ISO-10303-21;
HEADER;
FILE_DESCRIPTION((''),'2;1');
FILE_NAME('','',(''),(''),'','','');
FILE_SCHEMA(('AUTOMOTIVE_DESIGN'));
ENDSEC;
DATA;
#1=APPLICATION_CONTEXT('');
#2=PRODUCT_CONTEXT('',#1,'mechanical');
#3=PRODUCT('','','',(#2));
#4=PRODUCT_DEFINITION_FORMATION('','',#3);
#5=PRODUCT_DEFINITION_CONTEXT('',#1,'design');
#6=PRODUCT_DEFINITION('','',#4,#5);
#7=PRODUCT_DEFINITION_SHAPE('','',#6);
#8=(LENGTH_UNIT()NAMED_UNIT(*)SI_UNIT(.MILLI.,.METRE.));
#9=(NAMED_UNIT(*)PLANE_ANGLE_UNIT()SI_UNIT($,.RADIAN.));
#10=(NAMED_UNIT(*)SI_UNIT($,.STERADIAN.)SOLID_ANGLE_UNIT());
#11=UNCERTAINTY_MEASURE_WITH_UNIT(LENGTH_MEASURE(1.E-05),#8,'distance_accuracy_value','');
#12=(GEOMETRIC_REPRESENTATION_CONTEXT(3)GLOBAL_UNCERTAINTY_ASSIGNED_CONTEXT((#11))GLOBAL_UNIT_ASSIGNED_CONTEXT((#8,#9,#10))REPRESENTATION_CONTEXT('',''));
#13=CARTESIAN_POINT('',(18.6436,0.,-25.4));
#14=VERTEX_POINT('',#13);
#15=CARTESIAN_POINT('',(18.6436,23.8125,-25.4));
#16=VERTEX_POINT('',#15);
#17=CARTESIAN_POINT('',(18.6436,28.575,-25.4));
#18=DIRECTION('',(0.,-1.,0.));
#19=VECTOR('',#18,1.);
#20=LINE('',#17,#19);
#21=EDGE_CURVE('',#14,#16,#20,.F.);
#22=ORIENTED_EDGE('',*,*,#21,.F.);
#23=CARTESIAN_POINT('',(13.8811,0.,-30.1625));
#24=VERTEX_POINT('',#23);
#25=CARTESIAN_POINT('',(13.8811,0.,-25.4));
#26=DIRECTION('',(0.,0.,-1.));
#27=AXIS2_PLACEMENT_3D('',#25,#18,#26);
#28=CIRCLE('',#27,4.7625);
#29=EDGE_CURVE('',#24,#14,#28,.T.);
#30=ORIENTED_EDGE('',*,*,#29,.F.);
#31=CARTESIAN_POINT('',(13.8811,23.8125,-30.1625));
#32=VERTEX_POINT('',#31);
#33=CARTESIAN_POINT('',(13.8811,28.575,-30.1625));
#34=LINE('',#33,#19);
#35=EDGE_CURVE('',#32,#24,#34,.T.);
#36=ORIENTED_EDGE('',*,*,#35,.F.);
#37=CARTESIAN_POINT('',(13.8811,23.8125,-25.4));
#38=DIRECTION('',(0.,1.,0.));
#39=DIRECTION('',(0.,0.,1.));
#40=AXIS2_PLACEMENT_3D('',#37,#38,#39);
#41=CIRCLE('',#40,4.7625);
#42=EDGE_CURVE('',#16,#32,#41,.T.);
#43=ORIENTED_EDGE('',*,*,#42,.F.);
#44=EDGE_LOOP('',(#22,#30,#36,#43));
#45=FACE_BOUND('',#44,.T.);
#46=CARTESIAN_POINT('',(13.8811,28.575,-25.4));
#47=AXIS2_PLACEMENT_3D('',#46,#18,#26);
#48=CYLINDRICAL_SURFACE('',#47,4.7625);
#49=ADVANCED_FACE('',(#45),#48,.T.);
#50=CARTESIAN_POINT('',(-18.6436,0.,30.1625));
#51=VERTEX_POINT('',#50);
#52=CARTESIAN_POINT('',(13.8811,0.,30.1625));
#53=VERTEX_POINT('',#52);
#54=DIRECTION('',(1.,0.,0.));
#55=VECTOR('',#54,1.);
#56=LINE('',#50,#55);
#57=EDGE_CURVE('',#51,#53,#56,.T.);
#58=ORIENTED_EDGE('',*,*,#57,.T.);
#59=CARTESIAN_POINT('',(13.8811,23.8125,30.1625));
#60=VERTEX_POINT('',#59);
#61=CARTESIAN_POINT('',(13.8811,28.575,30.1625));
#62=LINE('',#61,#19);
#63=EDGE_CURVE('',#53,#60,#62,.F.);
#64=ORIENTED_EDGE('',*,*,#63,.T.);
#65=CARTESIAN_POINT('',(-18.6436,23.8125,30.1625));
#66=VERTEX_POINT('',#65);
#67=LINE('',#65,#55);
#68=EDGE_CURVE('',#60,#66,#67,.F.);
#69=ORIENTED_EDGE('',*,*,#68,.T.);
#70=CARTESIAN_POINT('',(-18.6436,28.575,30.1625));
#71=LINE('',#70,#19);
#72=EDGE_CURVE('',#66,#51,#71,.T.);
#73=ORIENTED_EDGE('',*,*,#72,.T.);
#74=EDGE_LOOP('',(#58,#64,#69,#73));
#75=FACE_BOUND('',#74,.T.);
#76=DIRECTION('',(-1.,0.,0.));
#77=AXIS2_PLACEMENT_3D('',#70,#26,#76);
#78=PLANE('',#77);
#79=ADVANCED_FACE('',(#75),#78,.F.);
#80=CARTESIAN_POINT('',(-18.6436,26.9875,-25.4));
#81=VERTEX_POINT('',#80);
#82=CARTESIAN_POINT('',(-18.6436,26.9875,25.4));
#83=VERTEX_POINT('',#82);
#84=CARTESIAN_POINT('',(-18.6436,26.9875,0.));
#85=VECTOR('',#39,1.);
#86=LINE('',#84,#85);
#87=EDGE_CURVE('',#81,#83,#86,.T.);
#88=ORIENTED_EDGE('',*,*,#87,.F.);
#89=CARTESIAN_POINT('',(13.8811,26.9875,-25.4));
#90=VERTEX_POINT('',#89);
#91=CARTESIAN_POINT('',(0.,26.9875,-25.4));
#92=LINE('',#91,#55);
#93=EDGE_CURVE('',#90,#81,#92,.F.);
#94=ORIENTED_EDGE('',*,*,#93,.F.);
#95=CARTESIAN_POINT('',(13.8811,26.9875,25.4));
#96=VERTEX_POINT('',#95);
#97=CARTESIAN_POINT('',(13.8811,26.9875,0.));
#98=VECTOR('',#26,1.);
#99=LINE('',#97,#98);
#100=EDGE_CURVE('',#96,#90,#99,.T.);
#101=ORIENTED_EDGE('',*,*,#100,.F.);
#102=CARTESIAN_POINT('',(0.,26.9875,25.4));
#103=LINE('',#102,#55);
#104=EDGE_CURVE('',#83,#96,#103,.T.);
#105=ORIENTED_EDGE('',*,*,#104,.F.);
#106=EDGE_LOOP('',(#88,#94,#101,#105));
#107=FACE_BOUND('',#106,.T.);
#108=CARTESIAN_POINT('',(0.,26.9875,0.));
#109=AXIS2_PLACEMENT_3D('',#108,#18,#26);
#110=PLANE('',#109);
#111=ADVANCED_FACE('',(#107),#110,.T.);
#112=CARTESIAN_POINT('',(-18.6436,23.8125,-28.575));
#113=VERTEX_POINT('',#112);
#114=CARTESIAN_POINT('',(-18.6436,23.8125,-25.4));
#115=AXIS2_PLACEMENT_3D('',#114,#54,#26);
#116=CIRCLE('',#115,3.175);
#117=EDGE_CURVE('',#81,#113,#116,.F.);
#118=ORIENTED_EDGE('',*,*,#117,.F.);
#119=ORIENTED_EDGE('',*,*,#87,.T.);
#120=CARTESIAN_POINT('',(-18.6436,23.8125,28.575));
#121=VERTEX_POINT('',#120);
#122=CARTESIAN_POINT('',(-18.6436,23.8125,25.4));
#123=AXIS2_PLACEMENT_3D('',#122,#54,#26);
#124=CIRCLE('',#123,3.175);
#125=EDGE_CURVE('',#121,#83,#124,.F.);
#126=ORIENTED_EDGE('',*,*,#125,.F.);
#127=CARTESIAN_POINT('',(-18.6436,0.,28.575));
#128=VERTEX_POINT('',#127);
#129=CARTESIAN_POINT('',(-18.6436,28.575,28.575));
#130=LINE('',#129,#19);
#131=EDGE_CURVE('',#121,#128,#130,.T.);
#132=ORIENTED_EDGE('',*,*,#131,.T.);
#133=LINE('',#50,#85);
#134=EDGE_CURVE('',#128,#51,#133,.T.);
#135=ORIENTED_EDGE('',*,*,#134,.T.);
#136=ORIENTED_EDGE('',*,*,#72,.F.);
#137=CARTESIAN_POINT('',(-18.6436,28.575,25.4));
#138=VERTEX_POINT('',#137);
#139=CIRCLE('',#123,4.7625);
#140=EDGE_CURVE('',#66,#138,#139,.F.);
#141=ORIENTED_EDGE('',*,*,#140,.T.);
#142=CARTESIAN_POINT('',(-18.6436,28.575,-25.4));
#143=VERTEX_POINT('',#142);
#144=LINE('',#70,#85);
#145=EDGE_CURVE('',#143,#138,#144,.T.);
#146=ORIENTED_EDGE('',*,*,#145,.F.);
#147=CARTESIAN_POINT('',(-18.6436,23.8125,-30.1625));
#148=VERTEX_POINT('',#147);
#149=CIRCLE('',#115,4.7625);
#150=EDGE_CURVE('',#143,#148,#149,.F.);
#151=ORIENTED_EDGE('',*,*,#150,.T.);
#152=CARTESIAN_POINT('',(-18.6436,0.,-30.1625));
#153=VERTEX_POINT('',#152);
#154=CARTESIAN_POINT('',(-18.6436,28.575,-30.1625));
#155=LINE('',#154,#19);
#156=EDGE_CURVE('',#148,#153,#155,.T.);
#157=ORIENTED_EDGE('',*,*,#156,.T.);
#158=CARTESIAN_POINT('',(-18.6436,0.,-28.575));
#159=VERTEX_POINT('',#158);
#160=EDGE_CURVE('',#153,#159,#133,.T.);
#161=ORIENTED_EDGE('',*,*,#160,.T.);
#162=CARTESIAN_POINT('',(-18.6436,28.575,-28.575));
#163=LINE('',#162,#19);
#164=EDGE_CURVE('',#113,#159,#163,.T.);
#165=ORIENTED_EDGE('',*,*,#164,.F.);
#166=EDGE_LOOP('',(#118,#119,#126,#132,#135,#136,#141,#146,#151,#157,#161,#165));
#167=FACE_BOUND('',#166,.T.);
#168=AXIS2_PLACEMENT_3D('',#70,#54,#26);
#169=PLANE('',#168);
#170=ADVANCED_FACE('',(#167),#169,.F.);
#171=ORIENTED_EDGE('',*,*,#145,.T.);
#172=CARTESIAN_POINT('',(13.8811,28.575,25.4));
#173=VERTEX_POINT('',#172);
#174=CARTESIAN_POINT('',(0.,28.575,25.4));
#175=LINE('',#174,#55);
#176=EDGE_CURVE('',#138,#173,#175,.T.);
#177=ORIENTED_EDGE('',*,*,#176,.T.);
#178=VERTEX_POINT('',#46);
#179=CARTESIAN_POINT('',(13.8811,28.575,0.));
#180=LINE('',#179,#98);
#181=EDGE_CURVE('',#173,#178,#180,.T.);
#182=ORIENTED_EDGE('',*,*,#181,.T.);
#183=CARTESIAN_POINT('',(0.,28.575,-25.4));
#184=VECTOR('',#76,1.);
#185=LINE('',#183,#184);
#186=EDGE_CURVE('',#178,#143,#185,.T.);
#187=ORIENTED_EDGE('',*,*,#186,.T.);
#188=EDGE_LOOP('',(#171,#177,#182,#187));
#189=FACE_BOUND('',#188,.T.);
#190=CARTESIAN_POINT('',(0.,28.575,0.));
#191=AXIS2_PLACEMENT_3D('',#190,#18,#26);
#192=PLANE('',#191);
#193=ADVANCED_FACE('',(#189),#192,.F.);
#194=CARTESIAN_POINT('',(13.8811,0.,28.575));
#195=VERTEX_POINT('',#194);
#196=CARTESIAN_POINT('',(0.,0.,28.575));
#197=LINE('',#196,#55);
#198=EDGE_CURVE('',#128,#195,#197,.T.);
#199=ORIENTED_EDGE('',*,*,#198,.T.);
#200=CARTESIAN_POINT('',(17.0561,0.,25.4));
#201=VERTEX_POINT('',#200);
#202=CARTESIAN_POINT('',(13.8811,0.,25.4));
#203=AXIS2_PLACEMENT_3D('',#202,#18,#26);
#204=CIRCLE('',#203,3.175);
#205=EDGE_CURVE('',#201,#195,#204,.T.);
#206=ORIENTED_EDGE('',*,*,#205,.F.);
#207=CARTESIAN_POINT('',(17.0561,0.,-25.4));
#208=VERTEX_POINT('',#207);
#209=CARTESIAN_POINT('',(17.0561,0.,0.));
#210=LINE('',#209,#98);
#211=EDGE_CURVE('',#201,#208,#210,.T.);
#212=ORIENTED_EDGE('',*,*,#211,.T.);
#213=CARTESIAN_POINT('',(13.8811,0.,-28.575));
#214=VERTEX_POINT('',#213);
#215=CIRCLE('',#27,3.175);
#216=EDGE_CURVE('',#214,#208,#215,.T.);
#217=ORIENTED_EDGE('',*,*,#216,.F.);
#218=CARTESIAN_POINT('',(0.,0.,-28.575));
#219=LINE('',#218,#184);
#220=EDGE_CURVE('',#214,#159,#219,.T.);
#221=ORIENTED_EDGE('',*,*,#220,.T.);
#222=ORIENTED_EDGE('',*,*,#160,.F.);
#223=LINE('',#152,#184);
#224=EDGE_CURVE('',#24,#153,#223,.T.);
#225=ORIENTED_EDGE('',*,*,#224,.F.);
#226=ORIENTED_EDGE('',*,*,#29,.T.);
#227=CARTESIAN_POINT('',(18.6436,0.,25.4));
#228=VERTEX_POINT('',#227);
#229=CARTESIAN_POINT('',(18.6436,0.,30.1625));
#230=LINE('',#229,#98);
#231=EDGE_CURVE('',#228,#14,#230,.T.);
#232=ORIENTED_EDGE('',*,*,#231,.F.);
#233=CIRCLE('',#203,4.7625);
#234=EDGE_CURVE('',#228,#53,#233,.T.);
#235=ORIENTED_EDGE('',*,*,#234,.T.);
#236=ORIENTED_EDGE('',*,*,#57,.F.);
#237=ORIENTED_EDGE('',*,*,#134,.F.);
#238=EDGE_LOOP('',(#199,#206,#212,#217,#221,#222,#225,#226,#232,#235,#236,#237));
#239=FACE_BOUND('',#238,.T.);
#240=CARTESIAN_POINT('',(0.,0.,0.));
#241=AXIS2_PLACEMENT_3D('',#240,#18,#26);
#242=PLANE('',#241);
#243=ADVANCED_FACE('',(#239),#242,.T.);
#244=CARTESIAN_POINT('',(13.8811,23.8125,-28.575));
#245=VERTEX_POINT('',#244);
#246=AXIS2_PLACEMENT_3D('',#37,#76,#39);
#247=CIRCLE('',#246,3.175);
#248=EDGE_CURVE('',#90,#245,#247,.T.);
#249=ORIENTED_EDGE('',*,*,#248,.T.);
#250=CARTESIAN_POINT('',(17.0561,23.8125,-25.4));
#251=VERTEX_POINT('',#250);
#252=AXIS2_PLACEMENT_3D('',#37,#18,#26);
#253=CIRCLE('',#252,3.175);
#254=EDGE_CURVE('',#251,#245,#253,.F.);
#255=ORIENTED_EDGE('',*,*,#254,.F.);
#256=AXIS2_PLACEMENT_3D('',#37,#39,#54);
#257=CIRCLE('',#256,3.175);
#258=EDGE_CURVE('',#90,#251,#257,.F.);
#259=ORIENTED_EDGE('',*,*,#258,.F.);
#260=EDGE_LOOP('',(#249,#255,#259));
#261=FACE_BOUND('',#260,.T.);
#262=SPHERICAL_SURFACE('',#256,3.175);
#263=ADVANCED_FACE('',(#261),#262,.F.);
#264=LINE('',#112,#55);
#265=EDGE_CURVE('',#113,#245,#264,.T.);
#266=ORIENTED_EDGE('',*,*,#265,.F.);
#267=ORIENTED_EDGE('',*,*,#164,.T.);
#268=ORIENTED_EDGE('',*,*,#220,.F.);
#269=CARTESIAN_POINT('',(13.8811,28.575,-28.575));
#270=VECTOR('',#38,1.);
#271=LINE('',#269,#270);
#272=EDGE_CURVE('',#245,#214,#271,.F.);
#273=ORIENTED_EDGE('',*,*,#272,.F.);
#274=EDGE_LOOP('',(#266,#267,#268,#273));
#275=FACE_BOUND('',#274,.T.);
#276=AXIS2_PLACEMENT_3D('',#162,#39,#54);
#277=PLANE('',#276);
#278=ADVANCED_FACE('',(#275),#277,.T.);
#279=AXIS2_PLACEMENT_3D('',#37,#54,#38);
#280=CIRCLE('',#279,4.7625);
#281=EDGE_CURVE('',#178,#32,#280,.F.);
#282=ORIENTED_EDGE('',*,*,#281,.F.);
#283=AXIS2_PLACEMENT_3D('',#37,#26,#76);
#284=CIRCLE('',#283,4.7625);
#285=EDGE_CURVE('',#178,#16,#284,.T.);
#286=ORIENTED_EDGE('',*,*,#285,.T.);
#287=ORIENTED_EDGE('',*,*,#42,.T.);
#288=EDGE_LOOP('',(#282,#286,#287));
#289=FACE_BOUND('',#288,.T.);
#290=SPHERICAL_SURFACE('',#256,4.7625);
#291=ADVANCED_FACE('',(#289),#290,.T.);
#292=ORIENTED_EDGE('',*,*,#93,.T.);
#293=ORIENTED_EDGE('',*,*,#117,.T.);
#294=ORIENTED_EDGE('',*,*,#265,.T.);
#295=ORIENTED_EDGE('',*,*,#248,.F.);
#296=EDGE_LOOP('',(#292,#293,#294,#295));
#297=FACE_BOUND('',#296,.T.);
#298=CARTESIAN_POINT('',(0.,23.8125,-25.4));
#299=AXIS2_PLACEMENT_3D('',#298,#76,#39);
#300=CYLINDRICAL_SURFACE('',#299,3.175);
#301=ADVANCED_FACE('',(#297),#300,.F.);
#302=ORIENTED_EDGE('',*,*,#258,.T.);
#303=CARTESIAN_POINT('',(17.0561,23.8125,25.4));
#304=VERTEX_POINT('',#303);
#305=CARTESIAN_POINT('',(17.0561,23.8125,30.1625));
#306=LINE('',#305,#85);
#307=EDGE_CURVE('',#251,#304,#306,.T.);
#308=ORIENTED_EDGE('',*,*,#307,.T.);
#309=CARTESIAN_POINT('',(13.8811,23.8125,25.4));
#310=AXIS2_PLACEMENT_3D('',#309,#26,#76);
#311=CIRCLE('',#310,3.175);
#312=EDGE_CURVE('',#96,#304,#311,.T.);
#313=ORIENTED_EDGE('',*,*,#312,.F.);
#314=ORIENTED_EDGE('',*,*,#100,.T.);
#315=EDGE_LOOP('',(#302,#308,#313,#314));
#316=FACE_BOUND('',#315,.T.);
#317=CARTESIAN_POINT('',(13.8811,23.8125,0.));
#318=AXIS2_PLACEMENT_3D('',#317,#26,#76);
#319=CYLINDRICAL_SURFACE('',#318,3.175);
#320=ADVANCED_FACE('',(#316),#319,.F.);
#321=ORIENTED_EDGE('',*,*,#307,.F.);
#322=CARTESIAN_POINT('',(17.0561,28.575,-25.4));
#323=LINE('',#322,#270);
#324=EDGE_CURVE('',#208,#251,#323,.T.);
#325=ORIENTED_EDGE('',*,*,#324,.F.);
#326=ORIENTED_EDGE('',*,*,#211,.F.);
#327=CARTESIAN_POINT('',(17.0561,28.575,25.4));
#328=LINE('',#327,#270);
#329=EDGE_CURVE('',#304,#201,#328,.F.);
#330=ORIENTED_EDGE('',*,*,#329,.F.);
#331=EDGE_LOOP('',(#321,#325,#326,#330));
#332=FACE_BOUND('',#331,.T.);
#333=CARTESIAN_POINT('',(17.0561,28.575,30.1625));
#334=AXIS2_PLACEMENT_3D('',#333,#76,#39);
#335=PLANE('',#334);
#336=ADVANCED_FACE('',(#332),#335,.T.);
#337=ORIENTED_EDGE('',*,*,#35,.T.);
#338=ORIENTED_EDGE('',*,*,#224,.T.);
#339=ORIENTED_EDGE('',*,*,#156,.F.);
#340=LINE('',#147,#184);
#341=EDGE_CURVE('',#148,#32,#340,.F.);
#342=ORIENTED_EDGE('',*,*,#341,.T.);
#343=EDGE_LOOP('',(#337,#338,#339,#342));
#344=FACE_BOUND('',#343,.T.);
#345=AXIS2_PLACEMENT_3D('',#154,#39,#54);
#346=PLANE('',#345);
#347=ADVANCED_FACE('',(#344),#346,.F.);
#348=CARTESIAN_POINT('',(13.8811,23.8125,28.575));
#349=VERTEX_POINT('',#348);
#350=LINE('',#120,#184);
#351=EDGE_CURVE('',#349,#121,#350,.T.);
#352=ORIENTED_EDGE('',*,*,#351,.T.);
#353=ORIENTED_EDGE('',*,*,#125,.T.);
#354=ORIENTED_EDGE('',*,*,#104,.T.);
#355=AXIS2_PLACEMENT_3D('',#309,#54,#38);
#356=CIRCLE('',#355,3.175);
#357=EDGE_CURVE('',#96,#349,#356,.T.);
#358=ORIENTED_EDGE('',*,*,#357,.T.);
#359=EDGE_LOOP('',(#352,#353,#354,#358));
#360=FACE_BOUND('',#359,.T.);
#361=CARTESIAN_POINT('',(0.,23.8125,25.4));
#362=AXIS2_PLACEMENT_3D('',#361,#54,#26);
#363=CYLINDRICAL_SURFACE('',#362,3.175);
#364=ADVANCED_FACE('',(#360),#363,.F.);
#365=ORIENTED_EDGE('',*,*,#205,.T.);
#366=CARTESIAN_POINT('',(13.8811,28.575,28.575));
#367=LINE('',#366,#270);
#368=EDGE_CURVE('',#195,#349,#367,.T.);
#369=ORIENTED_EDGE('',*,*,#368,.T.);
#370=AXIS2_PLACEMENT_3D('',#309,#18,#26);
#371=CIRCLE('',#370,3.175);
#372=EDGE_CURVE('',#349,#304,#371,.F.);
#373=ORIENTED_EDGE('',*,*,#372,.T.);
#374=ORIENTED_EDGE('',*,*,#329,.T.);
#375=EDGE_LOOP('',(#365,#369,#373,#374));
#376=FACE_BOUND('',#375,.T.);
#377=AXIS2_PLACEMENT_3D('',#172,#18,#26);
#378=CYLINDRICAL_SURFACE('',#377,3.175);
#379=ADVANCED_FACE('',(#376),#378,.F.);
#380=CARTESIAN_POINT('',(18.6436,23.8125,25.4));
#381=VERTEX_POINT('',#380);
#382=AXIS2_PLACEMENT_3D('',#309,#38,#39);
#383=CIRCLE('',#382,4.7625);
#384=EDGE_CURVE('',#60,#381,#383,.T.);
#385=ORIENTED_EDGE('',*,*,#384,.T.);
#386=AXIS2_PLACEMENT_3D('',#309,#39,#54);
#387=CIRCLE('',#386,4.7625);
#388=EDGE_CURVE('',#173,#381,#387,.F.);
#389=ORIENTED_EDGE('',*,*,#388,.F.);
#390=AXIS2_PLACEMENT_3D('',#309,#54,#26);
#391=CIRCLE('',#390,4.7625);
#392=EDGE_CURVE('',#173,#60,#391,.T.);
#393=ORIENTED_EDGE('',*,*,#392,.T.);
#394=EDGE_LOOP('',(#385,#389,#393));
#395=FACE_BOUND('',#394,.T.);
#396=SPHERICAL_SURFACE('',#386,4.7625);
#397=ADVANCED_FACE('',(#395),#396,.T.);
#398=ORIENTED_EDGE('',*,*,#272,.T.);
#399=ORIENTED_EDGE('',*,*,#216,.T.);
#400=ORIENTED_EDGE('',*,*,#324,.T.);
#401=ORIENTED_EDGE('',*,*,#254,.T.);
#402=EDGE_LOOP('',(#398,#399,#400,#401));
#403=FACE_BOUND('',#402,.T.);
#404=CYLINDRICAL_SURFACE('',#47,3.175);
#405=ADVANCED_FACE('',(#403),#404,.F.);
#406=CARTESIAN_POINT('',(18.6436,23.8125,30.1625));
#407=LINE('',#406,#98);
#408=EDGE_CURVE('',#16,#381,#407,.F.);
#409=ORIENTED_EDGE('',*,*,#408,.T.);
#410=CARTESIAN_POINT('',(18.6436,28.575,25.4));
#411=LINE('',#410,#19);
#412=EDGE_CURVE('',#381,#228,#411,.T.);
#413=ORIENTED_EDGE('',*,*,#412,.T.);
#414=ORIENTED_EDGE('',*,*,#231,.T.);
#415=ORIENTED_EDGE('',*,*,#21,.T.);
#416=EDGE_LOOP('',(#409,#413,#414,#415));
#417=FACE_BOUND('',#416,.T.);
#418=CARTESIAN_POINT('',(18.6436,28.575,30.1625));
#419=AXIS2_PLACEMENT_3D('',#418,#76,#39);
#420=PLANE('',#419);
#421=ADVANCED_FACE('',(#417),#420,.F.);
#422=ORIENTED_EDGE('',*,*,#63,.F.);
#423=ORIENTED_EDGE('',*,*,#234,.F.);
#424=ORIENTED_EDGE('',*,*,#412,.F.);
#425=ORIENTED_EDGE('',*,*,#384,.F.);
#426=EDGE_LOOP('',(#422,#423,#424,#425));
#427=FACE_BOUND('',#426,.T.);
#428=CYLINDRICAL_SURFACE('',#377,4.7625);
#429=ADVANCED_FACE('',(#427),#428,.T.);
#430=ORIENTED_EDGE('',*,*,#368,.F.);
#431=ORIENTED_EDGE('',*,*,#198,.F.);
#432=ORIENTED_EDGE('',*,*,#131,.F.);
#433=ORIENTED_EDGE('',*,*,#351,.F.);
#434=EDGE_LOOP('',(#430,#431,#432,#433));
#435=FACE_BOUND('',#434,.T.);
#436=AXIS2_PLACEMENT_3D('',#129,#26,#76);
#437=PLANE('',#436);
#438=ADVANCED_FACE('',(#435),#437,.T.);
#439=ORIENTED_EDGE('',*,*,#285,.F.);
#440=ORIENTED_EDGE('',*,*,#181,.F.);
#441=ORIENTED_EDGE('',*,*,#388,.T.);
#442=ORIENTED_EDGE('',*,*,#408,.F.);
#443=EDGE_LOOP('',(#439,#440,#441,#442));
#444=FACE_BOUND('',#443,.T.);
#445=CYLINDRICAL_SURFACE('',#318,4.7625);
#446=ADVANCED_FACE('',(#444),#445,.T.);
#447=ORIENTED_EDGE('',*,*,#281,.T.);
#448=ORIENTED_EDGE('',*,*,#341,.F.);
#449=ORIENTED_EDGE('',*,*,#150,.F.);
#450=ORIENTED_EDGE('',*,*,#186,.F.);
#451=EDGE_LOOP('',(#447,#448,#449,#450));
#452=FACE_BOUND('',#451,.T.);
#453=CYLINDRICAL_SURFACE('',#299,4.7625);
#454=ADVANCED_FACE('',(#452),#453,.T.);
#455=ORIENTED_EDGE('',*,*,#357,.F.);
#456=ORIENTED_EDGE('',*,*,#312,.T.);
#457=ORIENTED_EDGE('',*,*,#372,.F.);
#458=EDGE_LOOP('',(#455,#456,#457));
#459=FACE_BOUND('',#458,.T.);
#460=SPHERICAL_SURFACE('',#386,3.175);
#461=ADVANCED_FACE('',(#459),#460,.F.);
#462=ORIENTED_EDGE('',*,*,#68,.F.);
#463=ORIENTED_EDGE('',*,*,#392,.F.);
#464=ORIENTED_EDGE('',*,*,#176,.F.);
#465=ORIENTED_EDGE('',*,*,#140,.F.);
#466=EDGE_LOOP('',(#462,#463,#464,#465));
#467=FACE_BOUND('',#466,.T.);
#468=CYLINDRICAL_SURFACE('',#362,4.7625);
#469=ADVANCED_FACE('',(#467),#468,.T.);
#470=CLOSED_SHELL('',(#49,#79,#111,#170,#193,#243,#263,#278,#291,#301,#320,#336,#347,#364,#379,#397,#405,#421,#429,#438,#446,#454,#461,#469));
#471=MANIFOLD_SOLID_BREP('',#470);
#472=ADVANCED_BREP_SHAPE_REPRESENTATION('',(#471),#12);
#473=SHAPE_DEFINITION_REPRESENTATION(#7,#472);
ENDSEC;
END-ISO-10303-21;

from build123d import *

# Parameters (mm, degrees)
SKETCH1_W           = 37.2872
SKETCH1_H           = 60.325
BOSS_EXTRUDE1_DEPTH = 28.575
FILLET1_R           = 4.7625
SHELL1_T            = -1.5875


with BuildPart() as part:
    # Sketch1 → Boss-Extrude1 (new body)
    with BuildSketch(Plane(origin=(0, 0, 0), x_dir=(1, 0, 0), z_dir=(0, 1, 0))):
        Rectangle(SKETCH1_W, SKETCH1_H)
    extrude(amount=BOSS_EXTRUDE1_DEPTH)

    # Fillet1
    fillet1_edges = [part.edges().sort_by_distance(p)[0] for p in [
        (0, 28.575, 30.1625),
        (18.6436, 28.575, 0),
        (0, 28.575, -30.1625),
        (18.6436, 14.2875, 30.1625),
        (18.6436, 14.2875, -30.1625),
    ]]
    fillet(fillet1_edges, radius=FILLET1_R)

    # Shell1
    shell1_openings = [part.faces().sort_by_distance(p)[0] for p in [
        (-0.076414213, 0, 0),
        (-18.6436, 14.212396054, 0),
    ]]
    offset(amount=SHELL1_T, openings=shell1_openings, kind=Kind.INTERSECTION)


solid = part.part
